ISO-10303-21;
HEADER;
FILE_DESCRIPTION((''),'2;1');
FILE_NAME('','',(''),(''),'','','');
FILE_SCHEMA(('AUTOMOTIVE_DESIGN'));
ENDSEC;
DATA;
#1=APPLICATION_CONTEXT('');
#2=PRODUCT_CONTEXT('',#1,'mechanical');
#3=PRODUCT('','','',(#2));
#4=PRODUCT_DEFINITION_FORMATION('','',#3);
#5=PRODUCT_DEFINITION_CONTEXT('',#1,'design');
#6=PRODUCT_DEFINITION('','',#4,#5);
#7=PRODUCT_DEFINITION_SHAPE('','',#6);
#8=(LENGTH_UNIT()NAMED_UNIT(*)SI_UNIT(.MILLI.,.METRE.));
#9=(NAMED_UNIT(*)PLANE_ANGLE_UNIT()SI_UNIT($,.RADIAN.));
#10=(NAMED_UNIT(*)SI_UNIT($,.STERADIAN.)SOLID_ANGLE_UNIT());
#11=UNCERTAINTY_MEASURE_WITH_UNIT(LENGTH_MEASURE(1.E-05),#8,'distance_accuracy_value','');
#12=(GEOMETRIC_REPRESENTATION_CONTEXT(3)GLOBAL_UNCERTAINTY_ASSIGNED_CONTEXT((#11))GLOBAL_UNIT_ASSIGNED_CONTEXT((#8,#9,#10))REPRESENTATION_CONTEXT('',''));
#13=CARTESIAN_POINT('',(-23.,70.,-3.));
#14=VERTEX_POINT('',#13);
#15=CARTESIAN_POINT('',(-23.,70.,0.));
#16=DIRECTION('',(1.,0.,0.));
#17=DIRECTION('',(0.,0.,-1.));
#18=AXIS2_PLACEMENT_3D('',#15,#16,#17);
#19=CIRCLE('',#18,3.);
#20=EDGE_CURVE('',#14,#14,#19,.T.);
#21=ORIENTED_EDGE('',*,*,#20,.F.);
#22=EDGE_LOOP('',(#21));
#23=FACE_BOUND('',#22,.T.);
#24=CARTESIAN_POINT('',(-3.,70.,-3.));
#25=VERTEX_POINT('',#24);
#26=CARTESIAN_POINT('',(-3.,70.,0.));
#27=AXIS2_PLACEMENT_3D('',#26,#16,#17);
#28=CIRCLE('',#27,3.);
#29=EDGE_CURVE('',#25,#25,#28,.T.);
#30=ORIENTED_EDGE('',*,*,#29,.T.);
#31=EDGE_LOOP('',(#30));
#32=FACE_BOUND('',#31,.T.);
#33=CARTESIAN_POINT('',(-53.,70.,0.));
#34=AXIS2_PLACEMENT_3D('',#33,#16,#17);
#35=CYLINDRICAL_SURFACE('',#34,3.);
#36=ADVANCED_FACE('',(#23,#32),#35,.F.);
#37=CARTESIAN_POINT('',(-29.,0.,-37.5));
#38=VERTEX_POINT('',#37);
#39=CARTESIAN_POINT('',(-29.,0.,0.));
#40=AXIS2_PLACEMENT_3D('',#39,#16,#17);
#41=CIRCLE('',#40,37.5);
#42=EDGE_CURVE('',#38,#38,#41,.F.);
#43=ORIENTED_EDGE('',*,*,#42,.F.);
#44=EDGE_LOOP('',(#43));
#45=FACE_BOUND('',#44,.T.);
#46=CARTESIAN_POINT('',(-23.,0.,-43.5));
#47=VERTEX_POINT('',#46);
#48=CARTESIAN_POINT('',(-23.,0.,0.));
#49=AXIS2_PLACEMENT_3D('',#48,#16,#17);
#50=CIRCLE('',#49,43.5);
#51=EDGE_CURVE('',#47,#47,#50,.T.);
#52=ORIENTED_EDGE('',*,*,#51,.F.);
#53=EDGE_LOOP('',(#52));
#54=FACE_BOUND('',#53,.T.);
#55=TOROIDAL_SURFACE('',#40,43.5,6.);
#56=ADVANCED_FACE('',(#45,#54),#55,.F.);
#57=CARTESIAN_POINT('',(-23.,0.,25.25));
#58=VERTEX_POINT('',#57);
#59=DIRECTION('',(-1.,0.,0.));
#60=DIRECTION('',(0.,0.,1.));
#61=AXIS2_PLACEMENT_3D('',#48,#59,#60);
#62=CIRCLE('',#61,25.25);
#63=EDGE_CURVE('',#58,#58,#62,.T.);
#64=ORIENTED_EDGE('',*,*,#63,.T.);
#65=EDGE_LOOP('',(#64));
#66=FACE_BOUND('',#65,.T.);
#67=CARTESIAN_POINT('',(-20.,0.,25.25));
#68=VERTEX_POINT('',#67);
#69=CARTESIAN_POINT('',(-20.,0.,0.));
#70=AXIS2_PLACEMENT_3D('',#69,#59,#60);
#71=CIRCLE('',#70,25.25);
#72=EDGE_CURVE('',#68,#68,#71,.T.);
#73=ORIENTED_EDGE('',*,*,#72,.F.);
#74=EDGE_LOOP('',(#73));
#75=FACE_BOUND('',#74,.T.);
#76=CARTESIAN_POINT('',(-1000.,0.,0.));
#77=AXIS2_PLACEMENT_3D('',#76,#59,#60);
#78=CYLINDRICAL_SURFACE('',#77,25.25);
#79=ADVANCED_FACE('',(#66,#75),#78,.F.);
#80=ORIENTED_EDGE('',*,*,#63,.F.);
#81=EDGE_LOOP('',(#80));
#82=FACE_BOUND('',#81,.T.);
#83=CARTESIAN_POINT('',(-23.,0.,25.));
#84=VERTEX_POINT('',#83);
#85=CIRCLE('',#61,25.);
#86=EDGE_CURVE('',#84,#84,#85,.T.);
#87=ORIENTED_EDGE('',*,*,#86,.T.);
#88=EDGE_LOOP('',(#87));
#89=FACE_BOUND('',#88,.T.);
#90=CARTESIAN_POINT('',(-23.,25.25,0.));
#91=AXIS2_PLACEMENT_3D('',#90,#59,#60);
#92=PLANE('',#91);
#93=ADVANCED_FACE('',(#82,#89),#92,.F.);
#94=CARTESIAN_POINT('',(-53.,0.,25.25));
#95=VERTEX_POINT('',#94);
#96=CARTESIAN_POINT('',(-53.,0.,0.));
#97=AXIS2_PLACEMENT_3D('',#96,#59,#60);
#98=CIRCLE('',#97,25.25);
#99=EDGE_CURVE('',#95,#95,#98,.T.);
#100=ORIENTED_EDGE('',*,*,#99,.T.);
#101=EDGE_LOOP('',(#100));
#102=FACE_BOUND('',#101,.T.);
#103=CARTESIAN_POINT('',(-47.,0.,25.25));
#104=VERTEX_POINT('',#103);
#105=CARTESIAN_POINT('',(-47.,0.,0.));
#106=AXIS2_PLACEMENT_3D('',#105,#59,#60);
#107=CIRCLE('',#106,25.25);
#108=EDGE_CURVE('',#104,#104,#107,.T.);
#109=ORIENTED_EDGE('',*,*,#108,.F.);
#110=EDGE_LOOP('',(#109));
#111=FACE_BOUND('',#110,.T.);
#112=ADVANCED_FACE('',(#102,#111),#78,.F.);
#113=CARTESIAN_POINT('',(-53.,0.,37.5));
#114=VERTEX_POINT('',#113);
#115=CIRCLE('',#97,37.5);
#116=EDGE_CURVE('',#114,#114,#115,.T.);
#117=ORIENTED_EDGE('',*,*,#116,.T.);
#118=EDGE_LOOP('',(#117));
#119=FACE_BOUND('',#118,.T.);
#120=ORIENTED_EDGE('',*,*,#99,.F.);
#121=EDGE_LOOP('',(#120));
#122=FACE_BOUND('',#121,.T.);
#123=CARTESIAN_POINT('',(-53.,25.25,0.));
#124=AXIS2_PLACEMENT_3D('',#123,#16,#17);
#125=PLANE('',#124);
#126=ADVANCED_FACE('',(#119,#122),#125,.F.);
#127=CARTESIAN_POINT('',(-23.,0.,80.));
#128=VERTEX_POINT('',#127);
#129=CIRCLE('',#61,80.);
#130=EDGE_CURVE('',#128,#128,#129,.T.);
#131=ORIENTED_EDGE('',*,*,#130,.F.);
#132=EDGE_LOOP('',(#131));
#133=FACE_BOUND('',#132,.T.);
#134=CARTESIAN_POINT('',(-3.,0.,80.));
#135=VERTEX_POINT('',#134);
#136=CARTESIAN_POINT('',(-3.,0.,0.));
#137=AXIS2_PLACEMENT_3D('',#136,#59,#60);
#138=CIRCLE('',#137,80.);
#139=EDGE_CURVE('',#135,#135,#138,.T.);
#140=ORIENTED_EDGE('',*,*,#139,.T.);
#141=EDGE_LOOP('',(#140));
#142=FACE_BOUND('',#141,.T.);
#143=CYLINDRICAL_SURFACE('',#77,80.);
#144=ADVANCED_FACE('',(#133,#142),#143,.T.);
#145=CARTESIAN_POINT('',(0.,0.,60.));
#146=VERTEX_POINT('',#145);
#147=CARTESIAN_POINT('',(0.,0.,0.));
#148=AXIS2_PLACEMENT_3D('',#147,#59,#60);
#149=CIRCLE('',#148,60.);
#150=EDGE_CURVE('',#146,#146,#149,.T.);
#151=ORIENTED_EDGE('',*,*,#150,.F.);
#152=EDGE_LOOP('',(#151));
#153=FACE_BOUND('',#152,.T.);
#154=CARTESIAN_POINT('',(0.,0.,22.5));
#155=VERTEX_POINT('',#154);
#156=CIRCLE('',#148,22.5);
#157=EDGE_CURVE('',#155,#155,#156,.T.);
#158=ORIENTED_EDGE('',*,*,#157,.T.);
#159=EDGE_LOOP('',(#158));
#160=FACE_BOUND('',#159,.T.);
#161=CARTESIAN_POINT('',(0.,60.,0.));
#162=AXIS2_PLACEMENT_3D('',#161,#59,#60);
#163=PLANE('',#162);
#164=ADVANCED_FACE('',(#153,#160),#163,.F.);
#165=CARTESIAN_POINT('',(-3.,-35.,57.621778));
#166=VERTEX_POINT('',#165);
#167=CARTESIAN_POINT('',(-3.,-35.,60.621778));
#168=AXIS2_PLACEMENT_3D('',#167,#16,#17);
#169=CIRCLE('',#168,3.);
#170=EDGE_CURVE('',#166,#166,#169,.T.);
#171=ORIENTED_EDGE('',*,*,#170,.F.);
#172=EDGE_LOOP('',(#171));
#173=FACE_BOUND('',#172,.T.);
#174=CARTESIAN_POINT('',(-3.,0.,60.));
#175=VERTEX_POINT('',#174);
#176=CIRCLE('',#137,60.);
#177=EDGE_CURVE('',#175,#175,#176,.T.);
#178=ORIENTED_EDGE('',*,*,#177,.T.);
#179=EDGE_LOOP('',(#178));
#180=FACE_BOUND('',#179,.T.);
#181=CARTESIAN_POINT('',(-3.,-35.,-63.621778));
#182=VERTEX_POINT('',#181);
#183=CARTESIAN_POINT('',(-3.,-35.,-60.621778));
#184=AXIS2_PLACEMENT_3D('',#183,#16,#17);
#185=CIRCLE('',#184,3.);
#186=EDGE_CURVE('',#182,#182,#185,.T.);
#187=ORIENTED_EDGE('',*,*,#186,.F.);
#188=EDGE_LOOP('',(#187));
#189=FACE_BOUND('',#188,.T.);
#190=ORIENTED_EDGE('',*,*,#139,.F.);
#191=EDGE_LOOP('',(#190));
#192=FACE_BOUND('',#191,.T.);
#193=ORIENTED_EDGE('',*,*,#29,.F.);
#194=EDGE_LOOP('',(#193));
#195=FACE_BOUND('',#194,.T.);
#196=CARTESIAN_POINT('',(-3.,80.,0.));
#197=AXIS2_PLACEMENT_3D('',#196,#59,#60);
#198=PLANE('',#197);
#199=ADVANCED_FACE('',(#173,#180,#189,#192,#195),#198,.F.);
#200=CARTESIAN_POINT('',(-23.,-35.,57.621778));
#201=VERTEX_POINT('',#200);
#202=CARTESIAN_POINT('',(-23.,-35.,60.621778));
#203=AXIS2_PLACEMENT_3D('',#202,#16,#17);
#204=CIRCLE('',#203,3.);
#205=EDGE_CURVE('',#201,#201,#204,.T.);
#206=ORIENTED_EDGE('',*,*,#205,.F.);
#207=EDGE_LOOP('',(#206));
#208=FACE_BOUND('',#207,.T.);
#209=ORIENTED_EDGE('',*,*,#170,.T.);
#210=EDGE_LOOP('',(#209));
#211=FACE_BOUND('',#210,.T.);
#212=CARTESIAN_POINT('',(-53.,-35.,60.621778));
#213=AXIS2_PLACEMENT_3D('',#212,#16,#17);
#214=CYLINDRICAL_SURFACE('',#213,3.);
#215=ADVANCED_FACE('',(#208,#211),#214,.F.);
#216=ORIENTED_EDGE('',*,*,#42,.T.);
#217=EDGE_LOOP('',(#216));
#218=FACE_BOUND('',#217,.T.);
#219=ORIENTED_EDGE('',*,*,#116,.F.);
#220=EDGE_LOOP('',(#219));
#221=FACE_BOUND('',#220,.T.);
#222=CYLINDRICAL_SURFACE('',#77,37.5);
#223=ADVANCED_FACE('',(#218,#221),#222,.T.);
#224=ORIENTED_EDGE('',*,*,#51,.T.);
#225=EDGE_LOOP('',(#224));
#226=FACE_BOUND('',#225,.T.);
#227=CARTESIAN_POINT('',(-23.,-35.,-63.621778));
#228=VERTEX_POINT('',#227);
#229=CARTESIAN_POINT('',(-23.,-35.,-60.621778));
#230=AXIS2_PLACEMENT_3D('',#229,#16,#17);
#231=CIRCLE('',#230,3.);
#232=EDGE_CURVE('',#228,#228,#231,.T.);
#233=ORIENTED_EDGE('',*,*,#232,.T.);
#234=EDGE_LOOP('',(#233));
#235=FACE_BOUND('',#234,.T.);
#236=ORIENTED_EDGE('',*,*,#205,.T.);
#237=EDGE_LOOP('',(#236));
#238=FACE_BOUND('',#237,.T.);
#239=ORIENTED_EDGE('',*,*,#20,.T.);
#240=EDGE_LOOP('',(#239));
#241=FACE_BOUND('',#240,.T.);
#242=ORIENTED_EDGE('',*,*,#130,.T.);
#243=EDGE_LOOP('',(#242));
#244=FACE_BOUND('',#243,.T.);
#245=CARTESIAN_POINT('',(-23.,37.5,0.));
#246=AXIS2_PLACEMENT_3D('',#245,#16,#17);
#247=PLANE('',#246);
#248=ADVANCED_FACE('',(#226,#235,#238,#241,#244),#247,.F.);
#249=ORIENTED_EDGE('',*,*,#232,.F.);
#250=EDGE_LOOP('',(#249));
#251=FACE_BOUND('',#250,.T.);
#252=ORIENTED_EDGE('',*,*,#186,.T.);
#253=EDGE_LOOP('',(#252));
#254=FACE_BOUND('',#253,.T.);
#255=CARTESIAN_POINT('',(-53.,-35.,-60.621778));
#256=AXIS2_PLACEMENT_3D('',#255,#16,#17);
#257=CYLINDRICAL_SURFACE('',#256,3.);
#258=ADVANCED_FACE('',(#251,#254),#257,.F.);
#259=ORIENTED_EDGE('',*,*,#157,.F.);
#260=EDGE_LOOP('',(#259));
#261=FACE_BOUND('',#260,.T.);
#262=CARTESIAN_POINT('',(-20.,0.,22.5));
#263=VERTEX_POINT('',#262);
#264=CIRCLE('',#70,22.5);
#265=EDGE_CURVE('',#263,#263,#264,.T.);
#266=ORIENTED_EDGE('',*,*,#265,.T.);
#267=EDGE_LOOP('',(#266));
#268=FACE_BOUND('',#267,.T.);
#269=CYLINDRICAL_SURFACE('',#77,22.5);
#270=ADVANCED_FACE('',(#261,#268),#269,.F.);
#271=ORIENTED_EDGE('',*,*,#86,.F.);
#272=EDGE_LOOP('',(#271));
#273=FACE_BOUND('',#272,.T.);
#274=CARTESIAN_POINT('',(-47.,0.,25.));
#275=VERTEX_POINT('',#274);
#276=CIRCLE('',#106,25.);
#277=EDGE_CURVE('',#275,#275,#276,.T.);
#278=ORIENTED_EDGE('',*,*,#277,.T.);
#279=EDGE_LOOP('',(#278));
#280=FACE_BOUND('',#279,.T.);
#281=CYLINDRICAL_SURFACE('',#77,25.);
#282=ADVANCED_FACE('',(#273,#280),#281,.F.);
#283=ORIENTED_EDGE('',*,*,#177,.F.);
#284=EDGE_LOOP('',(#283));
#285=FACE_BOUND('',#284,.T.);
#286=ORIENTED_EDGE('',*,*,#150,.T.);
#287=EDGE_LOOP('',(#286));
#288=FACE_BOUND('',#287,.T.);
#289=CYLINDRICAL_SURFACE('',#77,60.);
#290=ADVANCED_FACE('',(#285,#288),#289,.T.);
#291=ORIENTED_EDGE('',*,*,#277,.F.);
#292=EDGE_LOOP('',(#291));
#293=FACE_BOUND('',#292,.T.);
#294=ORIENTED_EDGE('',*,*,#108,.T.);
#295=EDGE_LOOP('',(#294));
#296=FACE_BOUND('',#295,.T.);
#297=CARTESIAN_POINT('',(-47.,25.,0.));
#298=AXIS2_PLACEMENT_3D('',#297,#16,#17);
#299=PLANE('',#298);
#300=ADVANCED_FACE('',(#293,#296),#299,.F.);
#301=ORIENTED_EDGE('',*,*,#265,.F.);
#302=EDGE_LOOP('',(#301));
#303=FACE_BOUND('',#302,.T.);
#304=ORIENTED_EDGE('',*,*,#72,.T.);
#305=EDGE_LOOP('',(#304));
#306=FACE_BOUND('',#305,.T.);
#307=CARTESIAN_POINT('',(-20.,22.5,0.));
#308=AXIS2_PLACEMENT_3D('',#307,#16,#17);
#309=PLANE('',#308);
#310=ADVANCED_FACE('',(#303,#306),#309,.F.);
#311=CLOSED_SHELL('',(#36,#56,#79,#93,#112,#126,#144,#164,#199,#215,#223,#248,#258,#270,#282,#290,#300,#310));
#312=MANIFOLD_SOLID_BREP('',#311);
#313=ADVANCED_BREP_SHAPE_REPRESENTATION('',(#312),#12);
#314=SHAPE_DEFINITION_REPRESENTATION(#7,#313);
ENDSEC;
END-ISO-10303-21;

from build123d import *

# Parameters (mm, degrees)
FILLET1_R          = 6
SKETCH2_R          = 3
CUT_EXTRUDE1_DEPTH = 51


with BuildPart() as part:
    # Sketch1 → Revolve1 (revolve)
    with BuildSketch(Plane.XY):
        Polygon((0, 22.5), (-20, 22.5), (-20, 25.25), (-23, 25.25), (-23, 25), (-47, 25), (-47, 25.25), (-53, 25.25), (-53, 37.5), (-23, 37.5), (-23, 80), (-3, 80), (-3, 60), (0, 60), align=None)
    revolve(axis=Axis((-1000, 0, 0), (1, 0, 0)))

    # Fillet1
    fillet1_edges = [part.edges().sort_by_distance(p)[0] for p in [
        (-23, -37.5, 0),
    ]]
    fillet(fillet1_edges, radius=FILLET1_R)

    # Sketch2 → Cut-Extrude1 (cut, through all)
    with BuildSketch(Plane(origin=(-3, 0, 0), x_dir=(0, 0, -1), z_dir=(1, 0, 0))):
        with Locations((0, 70)):
            Circle(SKETCH2_R)
        with Locations((60.621778265, -35)):
            Circle(SKETCH2_R)
        with Locations((-60.621778265, -35)):
            Circle(SKETCH2_R)
    extrude(amount=-CUT_EXTRUDE1_DEPTH, mode=Mode.SUBTRACT)


solid = part.part
